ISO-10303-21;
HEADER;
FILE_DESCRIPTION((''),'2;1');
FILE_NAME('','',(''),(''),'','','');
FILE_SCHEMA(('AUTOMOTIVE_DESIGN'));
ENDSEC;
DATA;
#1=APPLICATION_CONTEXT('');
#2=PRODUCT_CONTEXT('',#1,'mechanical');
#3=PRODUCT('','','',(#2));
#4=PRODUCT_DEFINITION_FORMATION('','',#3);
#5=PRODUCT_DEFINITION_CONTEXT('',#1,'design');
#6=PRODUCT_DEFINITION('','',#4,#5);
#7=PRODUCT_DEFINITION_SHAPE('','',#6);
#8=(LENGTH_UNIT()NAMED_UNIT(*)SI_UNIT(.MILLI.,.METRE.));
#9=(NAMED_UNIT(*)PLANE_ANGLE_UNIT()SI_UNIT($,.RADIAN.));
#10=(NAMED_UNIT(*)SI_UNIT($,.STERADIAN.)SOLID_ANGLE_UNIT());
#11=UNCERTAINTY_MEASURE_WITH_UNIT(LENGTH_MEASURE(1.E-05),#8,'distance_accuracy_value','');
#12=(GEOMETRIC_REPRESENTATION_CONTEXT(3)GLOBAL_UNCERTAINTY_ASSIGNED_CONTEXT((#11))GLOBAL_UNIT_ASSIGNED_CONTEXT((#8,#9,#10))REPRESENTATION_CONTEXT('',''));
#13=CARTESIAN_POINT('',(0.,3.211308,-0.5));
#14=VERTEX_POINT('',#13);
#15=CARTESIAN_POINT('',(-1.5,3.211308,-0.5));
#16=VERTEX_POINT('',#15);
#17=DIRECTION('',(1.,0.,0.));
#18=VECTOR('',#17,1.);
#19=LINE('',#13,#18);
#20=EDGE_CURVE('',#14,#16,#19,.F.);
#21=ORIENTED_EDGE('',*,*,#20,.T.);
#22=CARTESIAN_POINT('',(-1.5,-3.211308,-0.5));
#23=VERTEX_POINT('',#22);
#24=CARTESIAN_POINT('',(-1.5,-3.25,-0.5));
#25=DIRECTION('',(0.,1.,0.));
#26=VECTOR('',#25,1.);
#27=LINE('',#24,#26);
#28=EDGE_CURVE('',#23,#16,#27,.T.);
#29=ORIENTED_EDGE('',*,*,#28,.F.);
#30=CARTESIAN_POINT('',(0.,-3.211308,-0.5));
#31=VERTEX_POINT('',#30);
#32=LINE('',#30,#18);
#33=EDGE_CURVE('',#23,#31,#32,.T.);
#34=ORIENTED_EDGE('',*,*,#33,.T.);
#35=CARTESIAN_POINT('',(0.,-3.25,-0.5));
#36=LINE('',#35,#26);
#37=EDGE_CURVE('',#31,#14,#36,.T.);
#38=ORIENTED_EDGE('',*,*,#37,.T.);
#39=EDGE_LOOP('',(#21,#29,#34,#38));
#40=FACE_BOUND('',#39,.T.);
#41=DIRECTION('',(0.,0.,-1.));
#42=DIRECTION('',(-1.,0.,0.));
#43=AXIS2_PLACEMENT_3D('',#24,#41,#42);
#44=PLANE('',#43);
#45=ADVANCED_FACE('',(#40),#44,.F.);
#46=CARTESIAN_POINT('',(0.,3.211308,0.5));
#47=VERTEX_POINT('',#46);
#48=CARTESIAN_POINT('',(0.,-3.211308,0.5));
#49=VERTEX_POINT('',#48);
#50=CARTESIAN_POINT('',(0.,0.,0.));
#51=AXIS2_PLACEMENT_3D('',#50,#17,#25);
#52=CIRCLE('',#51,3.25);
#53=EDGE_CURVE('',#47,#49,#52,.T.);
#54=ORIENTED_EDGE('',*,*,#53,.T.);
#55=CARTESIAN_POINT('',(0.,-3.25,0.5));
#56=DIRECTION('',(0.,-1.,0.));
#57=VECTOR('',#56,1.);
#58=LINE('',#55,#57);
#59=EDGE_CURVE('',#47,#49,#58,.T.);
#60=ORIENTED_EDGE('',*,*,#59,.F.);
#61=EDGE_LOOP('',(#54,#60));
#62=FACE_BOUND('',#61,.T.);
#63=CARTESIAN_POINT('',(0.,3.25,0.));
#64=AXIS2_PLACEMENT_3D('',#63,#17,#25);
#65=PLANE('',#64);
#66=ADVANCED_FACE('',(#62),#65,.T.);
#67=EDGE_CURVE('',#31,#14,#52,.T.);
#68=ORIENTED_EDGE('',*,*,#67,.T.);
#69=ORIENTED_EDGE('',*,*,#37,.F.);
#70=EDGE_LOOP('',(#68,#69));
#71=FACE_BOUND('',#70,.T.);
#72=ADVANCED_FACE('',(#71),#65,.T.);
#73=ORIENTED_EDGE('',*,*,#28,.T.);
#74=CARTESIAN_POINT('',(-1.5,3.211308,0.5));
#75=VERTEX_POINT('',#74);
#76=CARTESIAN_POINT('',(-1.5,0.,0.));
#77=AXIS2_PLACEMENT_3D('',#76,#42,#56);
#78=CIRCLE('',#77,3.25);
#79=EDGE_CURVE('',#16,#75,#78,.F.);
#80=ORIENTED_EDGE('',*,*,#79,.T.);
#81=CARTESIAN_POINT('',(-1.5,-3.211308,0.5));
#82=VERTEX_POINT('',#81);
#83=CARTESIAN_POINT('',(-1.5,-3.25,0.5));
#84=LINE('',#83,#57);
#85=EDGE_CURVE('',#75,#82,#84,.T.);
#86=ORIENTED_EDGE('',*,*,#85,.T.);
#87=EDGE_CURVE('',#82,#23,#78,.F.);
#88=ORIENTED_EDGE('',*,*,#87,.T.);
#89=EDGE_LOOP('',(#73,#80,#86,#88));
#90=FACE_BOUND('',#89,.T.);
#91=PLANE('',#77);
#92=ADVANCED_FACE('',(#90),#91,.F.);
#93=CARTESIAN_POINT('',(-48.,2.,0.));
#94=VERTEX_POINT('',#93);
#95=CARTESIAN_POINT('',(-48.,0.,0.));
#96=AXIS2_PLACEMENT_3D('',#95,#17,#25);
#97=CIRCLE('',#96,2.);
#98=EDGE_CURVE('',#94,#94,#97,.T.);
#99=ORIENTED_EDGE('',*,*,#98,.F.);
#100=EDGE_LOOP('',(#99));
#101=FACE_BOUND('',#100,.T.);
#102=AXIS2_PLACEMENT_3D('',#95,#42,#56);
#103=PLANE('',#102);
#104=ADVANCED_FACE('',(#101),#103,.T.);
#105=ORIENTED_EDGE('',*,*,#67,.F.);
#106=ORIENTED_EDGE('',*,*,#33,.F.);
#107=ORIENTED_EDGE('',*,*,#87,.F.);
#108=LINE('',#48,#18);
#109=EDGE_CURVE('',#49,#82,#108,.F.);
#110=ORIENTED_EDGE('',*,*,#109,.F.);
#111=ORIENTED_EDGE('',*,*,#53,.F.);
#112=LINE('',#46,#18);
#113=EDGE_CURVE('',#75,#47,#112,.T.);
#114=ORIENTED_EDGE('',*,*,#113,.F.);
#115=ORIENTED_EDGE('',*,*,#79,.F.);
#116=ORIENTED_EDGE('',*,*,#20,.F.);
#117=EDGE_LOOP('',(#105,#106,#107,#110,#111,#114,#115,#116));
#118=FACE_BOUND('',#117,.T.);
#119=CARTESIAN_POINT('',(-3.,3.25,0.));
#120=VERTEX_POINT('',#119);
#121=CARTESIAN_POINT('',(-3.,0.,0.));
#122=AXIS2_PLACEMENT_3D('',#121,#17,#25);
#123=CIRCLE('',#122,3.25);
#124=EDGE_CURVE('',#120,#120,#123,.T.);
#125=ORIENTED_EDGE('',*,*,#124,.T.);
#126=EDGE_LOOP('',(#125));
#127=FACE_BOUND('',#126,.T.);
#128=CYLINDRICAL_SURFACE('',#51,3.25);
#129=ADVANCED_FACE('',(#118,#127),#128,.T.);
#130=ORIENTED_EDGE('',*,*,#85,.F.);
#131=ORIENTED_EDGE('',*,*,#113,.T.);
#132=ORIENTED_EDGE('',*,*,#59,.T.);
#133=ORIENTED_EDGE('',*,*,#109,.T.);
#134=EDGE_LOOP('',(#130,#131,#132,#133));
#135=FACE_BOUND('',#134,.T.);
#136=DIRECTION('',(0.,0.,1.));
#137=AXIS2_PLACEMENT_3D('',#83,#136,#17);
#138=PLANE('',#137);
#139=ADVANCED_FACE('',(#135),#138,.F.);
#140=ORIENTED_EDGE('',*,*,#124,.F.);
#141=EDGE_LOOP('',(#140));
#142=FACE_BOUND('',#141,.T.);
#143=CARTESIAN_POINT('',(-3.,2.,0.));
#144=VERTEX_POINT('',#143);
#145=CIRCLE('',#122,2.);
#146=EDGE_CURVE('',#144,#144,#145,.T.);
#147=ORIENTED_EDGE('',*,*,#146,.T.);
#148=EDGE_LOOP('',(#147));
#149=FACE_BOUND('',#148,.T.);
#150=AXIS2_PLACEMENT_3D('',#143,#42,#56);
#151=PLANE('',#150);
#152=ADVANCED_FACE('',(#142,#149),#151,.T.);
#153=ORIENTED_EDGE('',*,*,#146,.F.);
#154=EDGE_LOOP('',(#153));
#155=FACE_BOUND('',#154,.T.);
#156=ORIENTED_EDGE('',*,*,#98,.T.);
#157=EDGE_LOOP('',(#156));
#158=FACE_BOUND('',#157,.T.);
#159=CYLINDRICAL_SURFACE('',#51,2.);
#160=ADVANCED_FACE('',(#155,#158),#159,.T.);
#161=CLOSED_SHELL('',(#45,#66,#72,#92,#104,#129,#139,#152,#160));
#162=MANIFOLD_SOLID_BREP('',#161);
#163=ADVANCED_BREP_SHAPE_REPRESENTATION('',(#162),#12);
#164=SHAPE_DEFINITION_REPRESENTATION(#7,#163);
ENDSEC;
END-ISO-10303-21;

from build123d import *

# Parameters (mm, degrees)
SKETCH2_W          = 1
SKETCH2_H          = 6.5
CUT_EXTRUDE1_DEPTH = 1.5


with BuildPart() as part:
    # Sketch1 → Revolve1 (revolve)
    with BuildSketch(Plane.XY):
        Polygon((0, 0), (-48, 0), (-48, 2), (-3, 2), (-3, 3.25), (0, 3.25), align=None)
    revolve(axis=Axis((0, 0, 0), (-1, 0, 0)))

    # Sketch2 → Cut-Extrude1 (cut)
    with BuildSketch(Plane(origin=(0, 0, 0), x_dir=(0, 0, -1), z_dir=(1, 0, 0))):
        Rectangle(SKETCH2_W, SKETCH2_H)
    extrude(amount=-CUT_EXTRUDE1_DEPTH, mode=Mode.SUBTRACT)


solid = part.part
